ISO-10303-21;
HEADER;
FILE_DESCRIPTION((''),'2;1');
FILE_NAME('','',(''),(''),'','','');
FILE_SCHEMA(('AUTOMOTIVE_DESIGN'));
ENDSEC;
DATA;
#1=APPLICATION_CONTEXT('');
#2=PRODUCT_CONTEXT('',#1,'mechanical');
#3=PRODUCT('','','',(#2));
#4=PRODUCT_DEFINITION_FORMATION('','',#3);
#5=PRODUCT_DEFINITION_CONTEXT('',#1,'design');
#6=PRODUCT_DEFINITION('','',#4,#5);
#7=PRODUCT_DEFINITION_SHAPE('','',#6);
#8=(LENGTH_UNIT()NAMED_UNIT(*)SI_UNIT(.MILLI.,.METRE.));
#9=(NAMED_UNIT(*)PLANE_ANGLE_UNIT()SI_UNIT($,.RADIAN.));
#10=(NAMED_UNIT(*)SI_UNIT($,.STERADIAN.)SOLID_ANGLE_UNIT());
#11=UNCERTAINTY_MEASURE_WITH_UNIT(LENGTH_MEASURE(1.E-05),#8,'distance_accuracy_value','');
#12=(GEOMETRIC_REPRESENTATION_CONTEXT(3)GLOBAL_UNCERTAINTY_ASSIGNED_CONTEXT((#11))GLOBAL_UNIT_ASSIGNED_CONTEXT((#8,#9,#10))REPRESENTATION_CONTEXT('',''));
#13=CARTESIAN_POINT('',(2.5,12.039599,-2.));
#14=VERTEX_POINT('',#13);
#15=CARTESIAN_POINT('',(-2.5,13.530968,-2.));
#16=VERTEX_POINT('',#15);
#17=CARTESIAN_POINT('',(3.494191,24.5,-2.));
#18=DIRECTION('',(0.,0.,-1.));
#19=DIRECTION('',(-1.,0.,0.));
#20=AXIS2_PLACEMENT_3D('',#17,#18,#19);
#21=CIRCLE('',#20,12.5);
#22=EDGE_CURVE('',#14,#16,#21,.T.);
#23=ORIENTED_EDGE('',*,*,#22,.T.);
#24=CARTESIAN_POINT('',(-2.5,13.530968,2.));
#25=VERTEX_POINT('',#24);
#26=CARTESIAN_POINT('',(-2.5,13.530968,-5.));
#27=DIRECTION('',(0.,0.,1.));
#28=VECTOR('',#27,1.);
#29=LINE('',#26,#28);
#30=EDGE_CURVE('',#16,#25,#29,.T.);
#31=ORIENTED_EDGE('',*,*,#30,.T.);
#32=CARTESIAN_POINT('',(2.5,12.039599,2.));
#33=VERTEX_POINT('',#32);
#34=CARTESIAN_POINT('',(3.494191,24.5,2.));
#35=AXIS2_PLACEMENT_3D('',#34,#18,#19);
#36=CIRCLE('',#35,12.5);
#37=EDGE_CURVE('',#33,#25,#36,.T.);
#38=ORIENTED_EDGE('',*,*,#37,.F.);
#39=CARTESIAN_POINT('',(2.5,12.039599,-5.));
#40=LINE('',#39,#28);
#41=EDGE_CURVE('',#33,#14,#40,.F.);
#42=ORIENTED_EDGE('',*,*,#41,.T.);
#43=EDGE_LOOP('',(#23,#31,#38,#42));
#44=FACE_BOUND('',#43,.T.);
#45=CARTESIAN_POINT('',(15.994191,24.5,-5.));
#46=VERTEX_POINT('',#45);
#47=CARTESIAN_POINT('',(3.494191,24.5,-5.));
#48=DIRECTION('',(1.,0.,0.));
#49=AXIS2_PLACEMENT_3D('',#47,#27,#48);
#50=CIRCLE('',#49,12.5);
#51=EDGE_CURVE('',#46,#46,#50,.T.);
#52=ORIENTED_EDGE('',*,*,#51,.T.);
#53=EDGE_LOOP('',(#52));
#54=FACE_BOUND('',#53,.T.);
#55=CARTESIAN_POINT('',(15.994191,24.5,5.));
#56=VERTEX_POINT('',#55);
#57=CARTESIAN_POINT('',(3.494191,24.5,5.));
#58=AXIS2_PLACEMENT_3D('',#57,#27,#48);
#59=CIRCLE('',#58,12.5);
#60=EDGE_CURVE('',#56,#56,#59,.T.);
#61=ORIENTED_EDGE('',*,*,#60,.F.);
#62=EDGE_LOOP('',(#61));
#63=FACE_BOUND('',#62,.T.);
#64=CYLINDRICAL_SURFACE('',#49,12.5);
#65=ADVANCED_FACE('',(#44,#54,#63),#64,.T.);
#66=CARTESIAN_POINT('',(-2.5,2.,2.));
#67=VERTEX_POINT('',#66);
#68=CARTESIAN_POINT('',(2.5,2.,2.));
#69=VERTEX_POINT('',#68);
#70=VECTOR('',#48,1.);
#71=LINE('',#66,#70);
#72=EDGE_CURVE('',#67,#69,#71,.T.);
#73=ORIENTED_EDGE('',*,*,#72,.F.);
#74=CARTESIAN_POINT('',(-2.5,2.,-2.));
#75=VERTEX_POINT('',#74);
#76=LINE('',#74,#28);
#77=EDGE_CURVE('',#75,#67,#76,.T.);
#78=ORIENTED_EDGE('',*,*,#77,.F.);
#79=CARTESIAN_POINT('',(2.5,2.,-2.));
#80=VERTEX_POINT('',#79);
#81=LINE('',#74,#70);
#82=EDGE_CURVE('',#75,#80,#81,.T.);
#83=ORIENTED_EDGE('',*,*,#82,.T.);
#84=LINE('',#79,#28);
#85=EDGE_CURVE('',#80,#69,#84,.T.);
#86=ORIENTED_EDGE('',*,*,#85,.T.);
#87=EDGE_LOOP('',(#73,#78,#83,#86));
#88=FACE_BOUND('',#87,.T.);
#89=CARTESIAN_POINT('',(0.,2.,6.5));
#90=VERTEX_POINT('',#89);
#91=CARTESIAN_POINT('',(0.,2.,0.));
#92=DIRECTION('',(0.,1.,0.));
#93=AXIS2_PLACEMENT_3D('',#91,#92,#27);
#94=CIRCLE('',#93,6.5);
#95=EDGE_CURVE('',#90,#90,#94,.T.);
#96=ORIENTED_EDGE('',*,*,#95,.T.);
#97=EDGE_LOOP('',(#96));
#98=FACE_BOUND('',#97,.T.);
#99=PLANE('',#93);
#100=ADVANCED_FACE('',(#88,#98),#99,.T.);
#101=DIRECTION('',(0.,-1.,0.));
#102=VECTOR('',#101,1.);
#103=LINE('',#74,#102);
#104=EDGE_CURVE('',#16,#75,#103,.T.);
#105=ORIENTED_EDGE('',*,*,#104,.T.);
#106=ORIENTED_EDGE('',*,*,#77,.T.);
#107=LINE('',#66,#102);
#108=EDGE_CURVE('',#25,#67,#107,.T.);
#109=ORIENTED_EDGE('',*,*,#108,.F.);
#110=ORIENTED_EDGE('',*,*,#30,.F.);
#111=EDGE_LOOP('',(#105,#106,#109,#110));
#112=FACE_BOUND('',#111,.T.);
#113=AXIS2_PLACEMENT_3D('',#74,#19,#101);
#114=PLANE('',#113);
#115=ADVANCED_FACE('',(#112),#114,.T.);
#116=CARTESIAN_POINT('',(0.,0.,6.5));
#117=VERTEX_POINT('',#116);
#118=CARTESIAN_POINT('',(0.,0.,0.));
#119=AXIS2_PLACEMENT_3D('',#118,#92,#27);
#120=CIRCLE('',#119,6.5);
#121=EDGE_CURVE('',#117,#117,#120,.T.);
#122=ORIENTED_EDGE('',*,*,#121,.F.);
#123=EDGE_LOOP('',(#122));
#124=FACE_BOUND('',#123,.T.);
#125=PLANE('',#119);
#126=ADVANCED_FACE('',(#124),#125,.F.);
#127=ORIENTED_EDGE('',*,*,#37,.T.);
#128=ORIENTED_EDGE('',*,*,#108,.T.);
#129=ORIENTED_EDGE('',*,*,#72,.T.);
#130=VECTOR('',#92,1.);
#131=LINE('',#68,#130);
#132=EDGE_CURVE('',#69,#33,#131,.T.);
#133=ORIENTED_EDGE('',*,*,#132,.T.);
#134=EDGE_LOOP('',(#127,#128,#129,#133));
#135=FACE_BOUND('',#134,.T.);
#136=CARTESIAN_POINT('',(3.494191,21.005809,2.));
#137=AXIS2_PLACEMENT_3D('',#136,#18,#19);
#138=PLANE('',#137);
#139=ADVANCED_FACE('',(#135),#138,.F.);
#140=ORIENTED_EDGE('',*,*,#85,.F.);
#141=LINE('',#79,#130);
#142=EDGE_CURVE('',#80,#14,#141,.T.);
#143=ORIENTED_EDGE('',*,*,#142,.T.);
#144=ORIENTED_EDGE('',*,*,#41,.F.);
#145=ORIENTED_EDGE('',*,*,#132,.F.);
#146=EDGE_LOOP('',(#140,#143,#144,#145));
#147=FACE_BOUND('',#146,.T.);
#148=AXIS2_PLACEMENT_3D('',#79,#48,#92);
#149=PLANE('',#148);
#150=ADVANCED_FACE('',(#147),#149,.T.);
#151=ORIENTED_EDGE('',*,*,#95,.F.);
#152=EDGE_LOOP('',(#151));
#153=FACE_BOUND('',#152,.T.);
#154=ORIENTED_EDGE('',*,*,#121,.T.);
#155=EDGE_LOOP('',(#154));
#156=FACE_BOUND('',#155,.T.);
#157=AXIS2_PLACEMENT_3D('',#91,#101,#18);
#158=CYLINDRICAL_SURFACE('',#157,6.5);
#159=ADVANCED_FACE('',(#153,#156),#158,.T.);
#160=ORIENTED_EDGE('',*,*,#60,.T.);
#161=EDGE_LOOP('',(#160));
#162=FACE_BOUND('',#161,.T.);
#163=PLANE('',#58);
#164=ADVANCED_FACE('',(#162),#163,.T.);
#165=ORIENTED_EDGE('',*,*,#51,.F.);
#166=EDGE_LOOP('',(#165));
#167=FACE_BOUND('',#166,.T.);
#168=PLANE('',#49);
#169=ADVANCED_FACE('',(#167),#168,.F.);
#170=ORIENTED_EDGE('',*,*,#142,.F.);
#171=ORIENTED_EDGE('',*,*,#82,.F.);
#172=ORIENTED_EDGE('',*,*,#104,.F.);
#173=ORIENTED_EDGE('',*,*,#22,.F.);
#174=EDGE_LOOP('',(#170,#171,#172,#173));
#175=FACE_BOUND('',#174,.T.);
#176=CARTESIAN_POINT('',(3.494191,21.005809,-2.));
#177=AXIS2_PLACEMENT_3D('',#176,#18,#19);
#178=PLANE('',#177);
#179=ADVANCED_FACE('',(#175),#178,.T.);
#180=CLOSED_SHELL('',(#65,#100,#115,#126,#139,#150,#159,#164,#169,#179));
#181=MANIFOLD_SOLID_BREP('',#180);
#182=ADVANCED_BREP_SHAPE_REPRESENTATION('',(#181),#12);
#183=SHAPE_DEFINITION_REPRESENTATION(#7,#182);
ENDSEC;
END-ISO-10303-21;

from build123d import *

# Parameters (mm, degrees)
SKETCH1_R                = 6.5
BOSS_EXTRUDE1_DEPTH      = 2
BOSS_EXTRUDE2_DEPTH      = 2
BOSS_EXTRUDE2_DEPTH_BACK = 2
BOSS_EXTRUDE3_DEPTH      = 5
BOSS_EXTRUDE3_DEPTH_BACK = 5
SKETCH3_R                = 12.5


with BuildPart() as part:
    # Sketch1 → Boss-Extrude1 (new body)
    with BuildSketch(Plane(origin=(0, 0, 0), x_dir=(1, 0, 0), z_dir=(0, 1, 0))):
        Circle(SKETCH1_R)
    extrude(amount=BOSS_EXTRUDE1_DEPTH)

    # Sketch2 → Boss-Extrude2 (add, two sides: drawn at the far end of the back side and taken through both)
    with BuildSketch(Plane.XY.offset(-BOSS_EXTRUDE2_DEPTH_BACK)):
        with BuildLine():
            Line((-2.5, 2), (-2.5, 21.005808669))
            ThreePointArc((-2.5, 21.005808669), (-0.744342007, 25.244342007), (3.494191331, 27))
            ThreePointArc((3.494191331, 27), (5.994191331, 24.5), (3.494191331, 22))
            ThreePointArc((3.494191331, 22), (2.791191899, 21.708808101), (2.5, 21.005808669))
            Line((2.5, 21.005808669), (2.5, 2))
            Line((2.5, 2), (-2.5, 2))
        make_face()
    extrude(amount=BOSS_EXTRUDE2_DEPTH + BOSS_EXTRUDE2_DEPTH_BACK)

    # Sketch3 → Boss-Extrude3 (add, two sides: drawn at the far end of the back side and taken through both)
    with BuildSketch(Plane.XY.offset(-BOSS_EXTRUDE3_DEPTH_BACK)):
        with Locations((3.494191331, 24.5)):
            Circle(SKETCH3_R)
    extrude(amount=BOSS_EXTRUDE3_DEPTH + BOSS_EXTRUDE3_DEPTH_BACK)


solid = part.part
